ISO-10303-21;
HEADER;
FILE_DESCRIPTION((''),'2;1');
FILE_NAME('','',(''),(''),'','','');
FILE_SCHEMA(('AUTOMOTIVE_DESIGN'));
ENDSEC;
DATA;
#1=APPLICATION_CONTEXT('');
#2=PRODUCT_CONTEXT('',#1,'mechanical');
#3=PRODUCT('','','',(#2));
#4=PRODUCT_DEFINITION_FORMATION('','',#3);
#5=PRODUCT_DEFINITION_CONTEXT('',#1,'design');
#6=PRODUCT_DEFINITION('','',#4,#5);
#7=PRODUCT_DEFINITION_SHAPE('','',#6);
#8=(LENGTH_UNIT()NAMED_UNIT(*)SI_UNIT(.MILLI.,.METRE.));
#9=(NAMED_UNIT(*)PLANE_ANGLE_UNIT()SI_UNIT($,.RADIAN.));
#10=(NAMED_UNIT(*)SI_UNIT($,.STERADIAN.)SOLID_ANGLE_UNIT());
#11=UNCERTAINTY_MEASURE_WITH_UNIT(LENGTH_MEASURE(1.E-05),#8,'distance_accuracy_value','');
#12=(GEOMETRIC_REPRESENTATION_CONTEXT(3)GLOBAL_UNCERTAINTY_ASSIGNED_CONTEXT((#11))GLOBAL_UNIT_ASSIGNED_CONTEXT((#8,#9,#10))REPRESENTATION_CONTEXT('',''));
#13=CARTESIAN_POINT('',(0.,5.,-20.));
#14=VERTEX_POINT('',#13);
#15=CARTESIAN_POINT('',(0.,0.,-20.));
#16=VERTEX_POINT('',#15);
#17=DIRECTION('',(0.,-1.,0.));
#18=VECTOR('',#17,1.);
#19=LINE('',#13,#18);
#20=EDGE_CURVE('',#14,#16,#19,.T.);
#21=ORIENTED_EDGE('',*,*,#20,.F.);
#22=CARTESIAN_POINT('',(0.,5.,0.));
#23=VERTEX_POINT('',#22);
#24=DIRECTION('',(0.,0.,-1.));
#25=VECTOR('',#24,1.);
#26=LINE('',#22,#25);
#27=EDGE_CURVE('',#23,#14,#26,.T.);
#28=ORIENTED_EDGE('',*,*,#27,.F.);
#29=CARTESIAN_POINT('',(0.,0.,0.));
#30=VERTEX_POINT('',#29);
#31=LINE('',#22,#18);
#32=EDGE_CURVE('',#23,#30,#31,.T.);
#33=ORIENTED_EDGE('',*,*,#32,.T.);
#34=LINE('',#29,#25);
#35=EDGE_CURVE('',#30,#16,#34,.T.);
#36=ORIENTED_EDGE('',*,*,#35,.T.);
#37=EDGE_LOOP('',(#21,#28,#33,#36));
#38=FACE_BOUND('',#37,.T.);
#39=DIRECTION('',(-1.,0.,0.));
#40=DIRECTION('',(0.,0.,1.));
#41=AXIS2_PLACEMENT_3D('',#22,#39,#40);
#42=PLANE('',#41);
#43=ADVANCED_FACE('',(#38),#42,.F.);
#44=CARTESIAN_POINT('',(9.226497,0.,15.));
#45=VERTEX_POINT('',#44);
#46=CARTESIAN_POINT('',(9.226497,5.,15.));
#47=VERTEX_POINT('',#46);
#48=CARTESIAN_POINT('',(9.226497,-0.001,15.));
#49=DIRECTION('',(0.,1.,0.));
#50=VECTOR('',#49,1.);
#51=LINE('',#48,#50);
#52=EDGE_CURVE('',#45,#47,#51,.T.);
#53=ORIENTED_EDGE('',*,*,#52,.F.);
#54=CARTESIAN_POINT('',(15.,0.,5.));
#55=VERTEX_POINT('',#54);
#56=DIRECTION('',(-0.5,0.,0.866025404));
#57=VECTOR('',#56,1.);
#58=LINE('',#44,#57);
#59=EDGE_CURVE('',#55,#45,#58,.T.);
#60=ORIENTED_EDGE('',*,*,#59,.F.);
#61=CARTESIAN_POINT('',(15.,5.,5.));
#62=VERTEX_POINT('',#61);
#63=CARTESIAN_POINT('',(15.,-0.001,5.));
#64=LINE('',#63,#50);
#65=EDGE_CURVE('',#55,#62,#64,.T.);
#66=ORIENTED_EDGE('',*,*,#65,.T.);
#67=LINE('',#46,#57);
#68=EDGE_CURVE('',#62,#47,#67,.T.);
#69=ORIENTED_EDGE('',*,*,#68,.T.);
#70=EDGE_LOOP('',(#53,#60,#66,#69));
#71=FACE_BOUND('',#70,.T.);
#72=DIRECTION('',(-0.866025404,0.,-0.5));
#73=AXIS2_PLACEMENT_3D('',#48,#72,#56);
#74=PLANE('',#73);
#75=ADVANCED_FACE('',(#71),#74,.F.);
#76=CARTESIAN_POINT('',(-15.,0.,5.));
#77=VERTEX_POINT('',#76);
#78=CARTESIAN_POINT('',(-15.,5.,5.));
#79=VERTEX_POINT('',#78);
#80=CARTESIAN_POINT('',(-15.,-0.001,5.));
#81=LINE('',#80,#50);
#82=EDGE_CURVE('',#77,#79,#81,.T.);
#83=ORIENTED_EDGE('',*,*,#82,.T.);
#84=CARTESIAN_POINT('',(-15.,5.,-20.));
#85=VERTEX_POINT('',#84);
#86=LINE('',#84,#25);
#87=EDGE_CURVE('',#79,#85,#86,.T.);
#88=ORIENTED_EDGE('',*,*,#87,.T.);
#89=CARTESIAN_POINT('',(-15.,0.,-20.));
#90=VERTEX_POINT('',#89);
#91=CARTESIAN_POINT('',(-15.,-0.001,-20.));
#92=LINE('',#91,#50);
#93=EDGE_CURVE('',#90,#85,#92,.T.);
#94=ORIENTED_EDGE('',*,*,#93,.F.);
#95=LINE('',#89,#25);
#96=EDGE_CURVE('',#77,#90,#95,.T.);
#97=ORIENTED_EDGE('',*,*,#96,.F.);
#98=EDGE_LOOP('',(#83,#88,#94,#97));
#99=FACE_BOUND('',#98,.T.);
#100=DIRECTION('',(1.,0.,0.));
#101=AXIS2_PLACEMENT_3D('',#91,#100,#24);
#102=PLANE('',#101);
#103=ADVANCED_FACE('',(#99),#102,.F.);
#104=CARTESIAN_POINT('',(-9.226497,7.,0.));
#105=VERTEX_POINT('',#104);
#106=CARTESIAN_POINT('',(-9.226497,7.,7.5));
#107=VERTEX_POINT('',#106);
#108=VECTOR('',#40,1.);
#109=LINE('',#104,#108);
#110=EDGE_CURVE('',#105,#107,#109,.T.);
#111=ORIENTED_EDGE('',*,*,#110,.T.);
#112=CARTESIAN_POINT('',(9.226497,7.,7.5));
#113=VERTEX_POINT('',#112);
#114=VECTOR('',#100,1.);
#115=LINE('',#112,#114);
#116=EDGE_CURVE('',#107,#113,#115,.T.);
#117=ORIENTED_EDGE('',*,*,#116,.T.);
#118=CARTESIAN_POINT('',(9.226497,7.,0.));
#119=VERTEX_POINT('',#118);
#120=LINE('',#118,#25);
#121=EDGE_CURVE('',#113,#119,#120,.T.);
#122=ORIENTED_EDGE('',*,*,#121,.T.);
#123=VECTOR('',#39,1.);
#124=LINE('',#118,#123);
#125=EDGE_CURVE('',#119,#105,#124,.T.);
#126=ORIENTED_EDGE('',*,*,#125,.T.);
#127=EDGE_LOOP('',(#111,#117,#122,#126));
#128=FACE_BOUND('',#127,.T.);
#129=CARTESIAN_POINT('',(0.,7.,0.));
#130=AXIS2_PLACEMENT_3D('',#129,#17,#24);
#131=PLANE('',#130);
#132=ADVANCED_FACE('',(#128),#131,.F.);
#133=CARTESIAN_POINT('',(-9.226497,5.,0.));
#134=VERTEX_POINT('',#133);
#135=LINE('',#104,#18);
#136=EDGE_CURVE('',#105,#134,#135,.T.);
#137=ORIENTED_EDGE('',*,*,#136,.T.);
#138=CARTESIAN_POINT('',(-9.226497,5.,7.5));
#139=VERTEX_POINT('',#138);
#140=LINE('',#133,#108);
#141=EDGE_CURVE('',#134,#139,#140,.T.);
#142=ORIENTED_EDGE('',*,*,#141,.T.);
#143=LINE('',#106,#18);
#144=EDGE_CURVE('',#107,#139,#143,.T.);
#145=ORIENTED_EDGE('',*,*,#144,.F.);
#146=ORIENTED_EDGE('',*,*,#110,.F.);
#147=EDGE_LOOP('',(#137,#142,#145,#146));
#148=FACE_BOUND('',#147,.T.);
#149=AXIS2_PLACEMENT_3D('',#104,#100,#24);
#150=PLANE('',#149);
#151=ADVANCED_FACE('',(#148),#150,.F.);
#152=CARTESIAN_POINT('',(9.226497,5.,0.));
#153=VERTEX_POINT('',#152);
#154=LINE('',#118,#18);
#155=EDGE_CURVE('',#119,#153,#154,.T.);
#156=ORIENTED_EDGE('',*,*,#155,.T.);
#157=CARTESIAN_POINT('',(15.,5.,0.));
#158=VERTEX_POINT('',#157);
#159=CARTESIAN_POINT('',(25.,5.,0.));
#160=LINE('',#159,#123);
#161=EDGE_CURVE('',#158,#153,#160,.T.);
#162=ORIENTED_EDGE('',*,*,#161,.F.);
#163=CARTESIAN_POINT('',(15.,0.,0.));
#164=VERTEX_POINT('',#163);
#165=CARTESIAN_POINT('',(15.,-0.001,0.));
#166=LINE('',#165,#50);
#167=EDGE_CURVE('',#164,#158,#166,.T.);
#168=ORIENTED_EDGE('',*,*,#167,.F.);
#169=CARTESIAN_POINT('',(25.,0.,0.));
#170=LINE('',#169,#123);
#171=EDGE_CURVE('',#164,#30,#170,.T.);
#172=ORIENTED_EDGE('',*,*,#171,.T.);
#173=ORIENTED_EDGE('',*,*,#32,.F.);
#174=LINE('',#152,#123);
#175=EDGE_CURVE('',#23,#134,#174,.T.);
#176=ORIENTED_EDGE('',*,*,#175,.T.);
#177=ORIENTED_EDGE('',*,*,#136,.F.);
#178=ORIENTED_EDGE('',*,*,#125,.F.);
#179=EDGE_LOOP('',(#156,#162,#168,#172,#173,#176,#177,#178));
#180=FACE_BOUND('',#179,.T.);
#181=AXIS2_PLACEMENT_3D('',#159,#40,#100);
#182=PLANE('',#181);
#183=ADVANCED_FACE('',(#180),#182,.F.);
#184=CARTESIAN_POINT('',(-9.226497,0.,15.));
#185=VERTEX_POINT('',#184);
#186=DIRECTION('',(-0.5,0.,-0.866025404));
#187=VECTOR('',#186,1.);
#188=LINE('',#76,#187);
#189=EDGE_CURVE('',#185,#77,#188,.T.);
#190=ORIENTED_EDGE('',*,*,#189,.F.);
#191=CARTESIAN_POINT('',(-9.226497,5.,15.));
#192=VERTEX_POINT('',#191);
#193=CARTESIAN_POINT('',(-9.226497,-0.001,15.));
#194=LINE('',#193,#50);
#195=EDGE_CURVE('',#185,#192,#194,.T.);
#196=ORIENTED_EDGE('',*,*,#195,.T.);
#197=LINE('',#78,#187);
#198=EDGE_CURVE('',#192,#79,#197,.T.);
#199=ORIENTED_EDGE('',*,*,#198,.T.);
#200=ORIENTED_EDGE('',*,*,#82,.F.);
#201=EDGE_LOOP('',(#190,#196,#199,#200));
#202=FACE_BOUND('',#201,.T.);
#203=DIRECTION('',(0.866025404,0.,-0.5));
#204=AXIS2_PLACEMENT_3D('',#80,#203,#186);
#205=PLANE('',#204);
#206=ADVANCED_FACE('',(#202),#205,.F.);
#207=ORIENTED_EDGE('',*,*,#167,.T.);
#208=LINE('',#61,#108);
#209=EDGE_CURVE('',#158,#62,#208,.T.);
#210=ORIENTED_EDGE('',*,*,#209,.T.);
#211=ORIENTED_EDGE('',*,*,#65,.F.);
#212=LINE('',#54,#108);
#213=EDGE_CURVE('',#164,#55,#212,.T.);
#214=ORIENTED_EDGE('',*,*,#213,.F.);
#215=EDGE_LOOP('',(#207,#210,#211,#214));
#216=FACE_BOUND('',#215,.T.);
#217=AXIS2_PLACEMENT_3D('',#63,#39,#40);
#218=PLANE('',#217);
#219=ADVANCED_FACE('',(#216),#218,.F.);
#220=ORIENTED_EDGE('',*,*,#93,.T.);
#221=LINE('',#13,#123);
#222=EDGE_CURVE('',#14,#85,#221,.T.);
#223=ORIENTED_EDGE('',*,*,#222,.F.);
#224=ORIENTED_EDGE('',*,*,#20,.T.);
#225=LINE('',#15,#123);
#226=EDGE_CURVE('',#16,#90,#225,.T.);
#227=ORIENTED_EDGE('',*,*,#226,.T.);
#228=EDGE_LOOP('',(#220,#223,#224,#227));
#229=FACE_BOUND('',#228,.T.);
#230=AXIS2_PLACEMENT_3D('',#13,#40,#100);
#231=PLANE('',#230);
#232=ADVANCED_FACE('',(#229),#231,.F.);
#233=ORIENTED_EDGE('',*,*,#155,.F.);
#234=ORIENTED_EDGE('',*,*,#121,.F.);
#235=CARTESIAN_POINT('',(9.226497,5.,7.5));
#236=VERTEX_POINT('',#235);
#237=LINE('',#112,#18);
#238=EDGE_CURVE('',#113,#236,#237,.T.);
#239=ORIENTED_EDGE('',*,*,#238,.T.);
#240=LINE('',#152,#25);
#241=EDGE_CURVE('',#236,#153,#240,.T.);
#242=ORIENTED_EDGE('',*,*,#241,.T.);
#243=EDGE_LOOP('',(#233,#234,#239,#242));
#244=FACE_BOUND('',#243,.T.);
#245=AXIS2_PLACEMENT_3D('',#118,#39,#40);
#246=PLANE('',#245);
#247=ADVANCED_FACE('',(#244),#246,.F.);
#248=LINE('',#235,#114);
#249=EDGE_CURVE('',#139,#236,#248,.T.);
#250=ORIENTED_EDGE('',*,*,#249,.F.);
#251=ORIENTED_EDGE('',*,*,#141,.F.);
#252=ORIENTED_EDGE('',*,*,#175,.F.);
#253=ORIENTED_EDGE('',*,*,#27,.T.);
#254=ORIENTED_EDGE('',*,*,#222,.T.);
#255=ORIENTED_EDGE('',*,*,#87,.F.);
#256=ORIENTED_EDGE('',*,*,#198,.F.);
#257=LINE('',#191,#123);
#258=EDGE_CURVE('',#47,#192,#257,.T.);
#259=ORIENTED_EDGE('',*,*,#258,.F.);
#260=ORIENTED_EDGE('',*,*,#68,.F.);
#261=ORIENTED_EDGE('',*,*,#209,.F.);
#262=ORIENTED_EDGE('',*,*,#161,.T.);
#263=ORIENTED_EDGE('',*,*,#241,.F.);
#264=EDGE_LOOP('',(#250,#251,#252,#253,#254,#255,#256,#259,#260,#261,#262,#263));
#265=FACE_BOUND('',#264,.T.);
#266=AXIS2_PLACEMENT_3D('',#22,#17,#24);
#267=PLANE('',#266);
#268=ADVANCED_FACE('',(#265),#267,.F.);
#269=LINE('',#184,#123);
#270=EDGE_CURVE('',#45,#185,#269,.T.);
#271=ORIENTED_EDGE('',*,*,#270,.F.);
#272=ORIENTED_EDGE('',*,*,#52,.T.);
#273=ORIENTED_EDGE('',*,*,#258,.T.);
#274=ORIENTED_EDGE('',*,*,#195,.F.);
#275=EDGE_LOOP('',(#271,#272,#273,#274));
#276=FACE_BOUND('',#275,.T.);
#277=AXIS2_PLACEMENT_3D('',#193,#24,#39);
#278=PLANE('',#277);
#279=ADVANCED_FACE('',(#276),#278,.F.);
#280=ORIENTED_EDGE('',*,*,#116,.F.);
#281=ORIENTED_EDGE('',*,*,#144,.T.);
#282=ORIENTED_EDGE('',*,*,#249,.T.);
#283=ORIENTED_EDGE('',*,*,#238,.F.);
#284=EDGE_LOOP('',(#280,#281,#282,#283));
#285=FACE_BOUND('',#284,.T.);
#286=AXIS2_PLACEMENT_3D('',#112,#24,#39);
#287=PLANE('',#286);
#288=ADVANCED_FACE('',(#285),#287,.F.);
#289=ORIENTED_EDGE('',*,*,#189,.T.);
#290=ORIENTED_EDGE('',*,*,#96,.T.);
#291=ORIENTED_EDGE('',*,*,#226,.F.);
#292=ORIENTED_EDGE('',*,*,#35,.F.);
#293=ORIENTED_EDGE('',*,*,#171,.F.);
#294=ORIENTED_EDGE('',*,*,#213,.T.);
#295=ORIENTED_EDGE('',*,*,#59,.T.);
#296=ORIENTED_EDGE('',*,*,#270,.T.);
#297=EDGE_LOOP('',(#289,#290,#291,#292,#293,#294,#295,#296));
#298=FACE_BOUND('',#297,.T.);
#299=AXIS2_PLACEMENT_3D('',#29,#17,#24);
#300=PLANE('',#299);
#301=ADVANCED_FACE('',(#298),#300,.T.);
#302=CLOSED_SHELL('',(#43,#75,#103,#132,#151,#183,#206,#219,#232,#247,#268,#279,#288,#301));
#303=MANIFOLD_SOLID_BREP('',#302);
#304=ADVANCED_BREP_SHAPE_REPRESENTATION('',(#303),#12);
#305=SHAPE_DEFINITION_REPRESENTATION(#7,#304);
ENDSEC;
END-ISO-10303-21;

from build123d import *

# Parameters (mm, degrees)
BOSS_EXTRUDE1_DEPTH = 5
CUT_EXTRUDE1_REACH  = 7
SKETCH3_W           = 18.452994616
SKETCH3_H           = 7.5
BOSS_EXTRUDE2_DEPTH = 2


with BuildPart() as part:
    # Sketch1 → Boss-Extrude1 (new body)
    with BuildSketch(Plane(origin=(0, 0, 0), x_dir=(1, 0, 0), z_dir=(0, 1, 0))):
        Polygon((0, 0), (0, 20), (-25, 20), (-25, -20), (-8.000491869, -49.444011787), (8.000491869, -49.444011787), (25, -20), (25, 0), align=None)
    extrude(amount=BOSS_EXTRUDE1_DEPTH)

    # Sketch2 → Cut-Extrude1 (cut, up to next)
    with BuildSketch(Plane(origin=(0, 5, 0), x_dir=(1, 0, 0), z_dir=(0, 1, 0)), mode=Mode.PRIVATE) as cut_extrude1_sk1:
        Polygon((-15, 20), (-15, -5), (-9.226497308, -15), (9.226497308, -15), (15, -5), (15, 0), (25, 0), (25, -20), (8.000491869, -49.444011787), (-8.000491869, -49.444011787), (-25, -20), (-25, 20), align=None)
    cut_extrude1_tool1 = extrude(cut_extrude1_sk1.sketch, amount=-CUT_EXTRUDE1_REACH, mode=Mode.PRIVATE) & part.part
    add(cut_extrude1_tool1.solids().sort_by_distance((-2.247946, 5, 20.557757))[0], mode=Mode.SUBTRACT)

    # Sketch3 → Boss-Extrude2 (add)
    with BuildSketch(Plane(origin=(0, 5, 0), x_dir=(1, 0, 0), z_dir=(0, 1, 0))):
        with Locations((0, -3.75)):
            Rectangle(SKETCH3_W, SKETCH3_H)
    extrude(amount=BOSS_EXTRUDE2_DEPTH)


solid = part.part
